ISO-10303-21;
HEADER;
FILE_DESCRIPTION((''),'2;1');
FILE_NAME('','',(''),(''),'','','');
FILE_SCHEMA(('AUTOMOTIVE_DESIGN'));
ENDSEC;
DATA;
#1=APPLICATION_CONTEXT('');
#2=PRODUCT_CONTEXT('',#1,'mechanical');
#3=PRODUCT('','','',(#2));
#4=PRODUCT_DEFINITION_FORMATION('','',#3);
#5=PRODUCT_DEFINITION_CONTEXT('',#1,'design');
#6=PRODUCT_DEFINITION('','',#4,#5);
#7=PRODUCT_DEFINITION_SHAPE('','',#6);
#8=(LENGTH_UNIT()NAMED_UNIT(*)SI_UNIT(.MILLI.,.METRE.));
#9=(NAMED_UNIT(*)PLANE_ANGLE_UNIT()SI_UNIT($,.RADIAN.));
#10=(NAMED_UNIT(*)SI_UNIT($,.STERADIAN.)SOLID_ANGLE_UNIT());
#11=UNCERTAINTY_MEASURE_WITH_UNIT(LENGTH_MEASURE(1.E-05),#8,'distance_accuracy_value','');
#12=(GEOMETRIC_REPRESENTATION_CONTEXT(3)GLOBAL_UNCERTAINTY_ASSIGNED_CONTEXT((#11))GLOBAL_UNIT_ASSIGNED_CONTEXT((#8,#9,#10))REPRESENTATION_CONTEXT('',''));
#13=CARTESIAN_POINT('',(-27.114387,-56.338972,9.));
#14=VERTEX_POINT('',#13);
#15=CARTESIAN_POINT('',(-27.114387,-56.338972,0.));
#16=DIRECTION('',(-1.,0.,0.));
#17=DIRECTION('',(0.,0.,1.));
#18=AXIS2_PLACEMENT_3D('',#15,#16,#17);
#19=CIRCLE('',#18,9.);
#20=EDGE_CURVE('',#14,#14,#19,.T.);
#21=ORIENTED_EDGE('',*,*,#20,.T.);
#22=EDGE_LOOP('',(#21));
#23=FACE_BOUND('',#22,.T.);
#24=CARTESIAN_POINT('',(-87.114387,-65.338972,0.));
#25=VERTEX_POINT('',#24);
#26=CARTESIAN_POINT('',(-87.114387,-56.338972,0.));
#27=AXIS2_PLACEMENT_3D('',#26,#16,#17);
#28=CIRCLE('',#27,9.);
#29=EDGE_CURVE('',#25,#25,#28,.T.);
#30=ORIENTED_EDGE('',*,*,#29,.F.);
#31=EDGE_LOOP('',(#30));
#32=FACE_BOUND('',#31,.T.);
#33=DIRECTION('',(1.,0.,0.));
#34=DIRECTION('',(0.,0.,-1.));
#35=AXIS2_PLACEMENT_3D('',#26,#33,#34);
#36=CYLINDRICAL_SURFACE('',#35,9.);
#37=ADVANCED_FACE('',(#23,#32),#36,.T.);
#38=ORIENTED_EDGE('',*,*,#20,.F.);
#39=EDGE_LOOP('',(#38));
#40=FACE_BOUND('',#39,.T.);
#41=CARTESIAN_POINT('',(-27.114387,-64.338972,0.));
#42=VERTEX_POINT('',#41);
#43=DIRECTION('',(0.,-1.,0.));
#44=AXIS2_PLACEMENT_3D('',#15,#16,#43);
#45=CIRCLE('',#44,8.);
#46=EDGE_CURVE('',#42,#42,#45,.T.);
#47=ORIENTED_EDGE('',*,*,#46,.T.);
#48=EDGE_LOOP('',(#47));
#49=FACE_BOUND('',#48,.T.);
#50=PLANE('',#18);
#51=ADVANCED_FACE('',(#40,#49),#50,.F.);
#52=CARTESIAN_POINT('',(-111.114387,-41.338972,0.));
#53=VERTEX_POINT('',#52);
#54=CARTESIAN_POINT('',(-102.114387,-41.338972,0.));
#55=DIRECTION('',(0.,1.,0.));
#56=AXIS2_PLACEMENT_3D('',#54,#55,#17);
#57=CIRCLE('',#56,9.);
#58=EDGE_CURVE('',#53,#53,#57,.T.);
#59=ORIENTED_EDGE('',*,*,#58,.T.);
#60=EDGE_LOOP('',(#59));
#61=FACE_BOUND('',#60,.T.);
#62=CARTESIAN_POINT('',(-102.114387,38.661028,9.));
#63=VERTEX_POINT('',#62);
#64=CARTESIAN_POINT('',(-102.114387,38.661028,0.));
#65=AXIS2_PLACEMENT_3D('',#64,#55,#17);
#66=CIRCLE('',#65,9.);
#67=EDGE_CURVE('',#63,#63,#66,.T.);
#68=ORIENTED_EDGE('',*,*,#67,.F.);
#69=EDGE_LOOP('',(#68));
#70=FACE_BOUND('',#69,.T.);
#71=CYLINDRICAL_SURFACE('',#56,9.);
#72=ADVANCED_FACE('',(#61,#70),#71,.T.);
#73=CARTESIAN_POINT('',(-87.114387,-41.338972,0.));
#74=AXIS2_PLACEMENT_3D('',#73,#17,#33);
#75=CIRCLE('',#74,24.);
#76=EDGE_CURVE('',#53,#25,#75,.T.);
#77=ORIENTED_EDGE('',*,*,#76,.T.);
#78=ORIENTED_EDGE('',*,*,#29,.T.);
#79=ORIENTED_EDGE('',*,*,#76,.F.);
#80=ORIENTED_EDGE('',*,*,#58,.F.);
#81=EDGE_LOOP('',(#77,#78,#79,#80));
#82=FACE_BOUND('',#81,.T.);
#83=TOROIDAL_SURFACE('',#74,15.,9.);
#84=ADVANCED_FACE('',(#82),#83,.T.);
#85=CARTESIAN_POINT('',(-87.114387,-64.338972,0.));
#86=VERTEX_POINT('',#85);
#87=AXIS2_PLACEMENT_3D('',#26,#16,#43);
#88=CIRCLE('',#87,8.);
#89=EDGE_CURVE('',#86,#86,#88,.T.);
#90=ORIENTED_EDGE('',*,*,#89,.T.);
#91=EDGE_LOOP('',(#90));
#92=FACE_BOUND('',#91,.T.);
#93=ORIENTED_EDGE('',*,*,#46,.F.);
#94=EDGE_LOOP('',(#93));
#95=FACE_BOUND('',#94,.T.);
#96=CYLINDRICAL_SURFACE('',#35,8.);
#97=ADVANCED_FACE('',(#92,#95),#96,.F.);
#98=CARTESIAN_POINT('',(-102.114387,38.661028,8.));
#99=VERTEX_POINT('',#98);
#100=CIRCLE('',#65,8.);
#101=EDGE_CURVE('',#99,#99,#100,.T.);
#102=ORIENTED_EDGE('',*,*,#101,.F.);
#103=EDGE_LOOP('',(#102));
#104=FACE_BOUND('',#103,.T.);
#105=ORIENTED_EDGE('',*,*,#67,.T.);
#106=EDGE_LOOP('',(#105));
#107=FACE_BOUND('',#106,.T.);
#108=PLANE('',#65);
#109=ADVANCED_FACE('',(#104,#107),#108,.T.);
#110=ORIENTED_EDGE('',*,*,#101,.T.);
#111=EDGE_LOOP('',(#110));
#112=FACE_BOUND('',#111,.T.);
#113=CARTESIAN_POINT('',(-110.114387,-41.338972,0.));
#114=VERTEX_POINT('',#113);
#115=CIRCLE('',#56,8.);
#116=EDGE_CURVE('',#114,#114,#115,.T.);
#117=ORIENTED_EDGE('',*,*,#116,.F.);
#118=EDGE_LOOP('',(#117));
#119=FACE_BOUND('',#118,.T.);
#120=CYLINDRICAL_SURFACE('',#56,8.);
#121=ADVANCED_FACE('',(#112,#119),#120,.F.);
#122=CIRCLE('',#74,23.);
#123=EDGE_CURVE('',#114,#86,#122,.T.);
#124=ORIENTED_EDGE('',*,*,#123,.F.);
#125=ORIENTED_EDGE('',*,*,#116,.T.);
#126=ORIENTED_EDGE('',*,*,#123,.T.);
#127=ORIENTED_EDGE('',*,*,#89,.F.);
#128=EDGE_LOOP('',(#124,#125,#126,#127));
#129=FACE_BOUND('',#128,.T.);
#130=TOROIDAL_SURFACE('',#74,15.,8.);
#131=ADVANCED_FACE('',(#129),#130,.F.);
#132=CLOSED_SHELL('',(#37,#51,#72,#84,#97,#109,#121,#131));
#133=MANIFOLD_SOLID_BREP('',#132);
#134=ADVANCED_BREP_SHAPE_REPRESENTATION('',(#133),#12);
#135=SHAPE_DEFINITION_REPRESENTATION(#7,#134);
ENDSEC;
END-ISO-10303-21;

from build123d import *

# Parameters (mm, degrees)
SKETCH2_R = 9
SHELL1_T  = -1


with BuildPart() as part:
    # Sweep1: sweep along a path in Sketch1
    with BuildLine(Plane.XY) as sweep1_path:
        Line((-102.114386638, 38.661028062), (-102.114386638, -41.338971938))
        ThreePointArc((-102.114386638, -41.338971938), (-97.720988356, -51.945573656), (-87.114386638, -56.338971938))
        Line((-87.114386638, -56.338971938), (-27.114386638, -56.338971938))
    # Sketch2 → Sweep1 (sweep)
    with BuildSketch(Plane(origin=(0, 38.661028062, 0), x_dir=(1, 0, 0), z_dir=(0, 1, 0))):
        with Locations((-102.114386638, 0)):
            Circle(SKETCH2_R)
    sweep(path=sweep1_path.line)

    # Shell1
    shell1_openings = [part.faces().sort_by_distance(p)[0] for p in [
        (-27.114386638, -56.338971938, 0),
        (-102.114386638, 38.661028062, 0),
    ]]
    offset(amount=SHELL1_T, openings=shell1_openings, kind=Kind.INTERSECTION)


solid = part.part
